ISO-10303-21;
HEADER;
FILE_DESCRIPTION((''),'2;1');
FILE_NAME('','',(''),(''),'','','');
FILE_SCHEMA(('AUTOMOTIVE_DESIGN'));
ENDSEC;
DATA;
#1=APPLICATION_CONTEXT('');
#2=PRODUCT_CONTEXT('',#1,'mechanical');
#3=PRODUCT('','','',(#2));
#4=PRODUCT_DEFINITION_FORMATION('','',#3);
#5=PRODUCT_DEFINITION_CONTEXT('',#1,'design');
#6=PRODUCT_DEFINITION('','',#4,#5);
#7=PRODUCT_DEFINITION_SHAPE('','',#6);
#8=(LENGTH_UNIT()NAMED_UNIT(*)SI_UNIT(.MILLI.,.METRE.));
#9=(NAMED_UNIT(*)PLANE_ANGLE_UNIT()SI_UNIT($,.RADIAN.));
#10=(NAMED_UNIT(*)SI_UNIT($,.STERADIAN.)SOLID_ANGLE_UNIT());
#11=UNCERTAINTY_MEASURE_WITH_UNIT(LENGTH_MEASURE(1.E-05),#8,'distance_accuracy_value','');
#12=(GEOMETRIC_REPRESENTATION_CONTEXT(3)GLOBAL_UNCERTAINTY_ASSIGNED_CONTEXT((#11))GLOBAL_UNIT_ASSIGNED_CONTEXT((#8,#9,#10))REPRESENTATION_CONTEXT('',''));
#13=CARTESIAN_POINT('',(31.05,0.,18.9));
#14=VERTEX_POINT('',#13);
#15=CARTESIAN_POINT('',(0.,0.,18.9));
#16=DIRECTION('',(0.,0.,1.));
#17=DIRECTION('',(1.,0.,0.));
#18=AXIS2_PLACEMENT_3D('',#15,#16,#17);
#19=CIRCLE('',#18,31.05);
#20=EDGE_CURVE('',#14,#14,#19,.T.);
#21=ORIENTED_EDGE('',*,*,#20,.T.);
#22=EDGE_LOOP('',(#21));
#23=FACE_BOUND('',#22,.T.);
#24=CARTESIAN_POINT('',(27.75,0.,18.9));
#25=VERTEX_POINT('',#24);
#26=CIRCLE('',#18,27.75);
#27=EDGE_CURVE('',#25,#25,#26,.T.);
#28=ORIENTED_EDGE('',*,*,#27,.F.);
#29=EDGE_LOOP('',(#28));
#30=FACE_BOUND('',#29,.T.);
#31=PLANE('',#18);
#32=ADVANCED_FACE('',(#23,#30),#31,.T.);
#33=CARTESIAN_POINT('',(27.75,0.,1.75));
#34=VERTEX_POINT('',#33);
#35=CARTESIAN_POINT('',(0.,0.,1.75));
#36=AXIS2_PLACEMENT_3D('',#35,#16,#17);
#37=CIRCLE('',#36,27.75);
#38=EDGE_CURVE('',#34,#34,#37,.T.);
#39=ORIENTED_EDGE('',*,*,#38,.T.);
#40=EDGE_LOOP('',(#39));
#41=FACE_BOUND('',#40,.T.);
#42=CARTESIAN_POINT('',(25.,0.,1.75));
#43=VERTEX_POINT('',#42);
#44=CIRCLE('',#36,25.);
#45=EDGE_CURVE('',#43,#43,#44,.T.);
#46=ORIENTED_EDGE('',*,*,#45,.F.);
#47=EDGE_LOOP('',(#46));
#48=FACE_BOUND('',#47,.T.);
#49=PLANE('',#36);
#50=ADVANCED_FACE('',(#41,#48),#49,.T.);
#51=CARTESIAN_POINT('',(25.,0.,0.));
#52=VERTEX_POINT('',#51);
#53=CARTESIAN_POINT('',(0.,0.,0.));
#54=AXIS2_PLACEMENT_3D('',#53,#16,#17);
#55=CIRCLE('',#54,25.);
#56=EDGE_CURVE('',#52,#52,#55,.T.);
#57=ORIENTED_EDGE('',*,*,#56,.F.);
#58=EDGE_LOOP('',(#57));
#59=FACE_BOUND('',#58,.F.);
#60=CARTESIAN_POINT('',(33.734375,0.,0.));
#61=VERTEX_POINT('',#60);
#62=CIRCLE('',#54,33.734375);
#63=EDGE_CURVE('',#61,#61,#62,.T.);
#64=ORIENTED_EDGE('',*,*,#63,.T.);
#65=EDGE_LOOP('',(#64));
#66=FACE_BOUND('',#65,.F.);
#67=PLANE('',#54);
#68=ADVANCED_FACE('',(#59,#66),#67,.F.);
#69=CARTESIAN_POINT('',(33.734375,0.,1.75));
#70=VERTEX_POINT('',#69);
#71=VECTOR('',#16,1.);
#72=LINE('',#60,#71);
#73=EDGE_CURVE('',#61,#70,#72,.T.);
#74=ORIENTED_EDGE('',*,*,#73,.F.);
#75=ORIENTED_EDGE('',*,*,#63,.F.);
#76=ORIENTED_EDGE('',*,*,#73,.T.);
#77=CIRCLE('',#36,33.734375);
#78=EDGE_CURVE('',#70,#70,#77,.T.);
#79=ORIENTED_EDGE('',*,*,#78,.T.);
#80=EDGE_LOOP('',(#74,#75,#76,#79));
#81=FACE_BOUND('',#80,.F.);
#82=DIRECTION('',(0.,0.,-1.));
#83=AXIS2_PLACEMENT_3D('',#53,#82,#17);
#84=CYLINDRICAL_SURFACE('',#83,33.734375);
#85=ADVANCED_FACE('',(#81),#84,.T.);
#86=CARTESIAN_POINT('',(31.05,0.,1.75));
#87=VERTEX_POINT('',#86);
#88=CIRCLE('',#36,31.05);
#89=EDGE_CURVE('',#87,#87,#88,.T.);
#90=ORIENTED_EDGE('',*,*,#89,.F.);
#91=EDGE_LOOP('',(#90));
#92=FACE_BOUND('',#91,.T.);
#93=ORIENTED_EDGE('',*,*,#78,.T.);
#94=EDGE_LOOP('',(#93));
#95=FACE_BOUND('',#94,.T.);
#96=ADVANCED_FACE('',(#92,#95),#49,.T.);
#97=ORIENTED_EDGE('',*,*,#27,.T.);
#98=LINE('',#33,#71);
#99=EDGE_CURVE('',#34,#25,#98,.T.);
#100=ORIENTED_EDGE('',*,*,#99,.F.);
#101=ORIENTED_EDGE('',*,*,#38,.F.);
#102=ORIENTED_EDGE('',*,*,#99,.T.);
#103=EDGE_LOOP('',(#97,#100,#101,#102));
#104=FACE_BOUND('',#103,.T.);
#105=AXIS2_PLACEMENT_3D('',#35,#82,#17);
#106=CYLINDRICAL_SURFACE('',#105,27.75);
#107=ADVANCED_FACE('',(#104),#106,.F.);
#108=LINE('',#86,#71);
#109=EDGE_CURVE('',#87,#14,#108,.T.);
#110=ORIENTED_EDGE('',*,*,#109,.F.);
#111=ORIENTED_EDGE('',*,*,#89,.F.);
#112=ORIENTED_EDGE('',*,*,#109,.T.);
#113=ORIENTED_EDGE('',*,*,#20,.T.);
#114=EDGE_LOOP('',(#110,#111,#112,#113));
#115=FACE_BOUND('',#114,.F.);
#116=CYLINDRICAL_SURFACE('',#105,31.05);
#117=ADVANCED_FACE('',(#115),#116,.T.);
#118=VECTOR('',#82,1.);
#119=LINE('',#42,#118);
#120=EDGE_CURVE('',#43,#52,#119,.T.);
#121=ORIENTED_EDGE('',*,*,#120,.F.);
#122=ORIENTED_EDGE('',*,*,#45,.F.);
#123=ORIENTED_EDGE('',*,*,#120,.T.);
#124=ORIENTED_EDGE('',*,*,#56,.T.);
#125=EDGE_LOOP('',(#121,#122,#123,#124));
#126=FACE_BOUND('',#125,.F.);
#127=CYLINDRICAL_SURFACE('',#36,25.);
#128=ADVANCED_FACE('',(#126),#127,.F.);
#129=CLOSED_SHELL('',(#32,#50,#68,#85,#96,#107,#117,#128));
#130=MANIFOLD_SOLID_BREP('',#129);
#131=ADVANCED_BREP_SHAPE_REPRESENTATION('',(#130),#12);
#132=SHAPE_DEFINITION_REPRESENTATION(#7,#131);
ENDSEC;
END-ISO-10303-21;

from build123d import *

# Parameters (mm, degrees)
F0_R     = 33.734375
F1_DEPTH = 1.75
F2_R     = 31.05
F2_R_2   = 27.75
F3_DEPTH = 17.15
F2_R_3   = 25
F4_DEPTH = 1.751


with BuildPart() as f1:
    # F0 (on Top) → F1 (new body)
    with BuildSketch(Plane.XY):
        Circle(F0_R)
    extrude(amount=F1_DEPTH)

    # F2 (on face) → F3 (join)
    with BuildSketch(Plane.XY.offset(1.75)):
        Circle(F2_R)
        Circle(F2_R_2, mode=Mode.SUBTRACT)
    extrude(amount=F3_DEPTH)

    # F2 (on face) → F4 (cut, through all)
    with BuildSketch(Plane.XY.offset(1.75)):
        Circle(F2_R_3)
    extrude(amount=-F4_DEPTH, mode=Mode.SUBTRACT)


solid = f1.part
